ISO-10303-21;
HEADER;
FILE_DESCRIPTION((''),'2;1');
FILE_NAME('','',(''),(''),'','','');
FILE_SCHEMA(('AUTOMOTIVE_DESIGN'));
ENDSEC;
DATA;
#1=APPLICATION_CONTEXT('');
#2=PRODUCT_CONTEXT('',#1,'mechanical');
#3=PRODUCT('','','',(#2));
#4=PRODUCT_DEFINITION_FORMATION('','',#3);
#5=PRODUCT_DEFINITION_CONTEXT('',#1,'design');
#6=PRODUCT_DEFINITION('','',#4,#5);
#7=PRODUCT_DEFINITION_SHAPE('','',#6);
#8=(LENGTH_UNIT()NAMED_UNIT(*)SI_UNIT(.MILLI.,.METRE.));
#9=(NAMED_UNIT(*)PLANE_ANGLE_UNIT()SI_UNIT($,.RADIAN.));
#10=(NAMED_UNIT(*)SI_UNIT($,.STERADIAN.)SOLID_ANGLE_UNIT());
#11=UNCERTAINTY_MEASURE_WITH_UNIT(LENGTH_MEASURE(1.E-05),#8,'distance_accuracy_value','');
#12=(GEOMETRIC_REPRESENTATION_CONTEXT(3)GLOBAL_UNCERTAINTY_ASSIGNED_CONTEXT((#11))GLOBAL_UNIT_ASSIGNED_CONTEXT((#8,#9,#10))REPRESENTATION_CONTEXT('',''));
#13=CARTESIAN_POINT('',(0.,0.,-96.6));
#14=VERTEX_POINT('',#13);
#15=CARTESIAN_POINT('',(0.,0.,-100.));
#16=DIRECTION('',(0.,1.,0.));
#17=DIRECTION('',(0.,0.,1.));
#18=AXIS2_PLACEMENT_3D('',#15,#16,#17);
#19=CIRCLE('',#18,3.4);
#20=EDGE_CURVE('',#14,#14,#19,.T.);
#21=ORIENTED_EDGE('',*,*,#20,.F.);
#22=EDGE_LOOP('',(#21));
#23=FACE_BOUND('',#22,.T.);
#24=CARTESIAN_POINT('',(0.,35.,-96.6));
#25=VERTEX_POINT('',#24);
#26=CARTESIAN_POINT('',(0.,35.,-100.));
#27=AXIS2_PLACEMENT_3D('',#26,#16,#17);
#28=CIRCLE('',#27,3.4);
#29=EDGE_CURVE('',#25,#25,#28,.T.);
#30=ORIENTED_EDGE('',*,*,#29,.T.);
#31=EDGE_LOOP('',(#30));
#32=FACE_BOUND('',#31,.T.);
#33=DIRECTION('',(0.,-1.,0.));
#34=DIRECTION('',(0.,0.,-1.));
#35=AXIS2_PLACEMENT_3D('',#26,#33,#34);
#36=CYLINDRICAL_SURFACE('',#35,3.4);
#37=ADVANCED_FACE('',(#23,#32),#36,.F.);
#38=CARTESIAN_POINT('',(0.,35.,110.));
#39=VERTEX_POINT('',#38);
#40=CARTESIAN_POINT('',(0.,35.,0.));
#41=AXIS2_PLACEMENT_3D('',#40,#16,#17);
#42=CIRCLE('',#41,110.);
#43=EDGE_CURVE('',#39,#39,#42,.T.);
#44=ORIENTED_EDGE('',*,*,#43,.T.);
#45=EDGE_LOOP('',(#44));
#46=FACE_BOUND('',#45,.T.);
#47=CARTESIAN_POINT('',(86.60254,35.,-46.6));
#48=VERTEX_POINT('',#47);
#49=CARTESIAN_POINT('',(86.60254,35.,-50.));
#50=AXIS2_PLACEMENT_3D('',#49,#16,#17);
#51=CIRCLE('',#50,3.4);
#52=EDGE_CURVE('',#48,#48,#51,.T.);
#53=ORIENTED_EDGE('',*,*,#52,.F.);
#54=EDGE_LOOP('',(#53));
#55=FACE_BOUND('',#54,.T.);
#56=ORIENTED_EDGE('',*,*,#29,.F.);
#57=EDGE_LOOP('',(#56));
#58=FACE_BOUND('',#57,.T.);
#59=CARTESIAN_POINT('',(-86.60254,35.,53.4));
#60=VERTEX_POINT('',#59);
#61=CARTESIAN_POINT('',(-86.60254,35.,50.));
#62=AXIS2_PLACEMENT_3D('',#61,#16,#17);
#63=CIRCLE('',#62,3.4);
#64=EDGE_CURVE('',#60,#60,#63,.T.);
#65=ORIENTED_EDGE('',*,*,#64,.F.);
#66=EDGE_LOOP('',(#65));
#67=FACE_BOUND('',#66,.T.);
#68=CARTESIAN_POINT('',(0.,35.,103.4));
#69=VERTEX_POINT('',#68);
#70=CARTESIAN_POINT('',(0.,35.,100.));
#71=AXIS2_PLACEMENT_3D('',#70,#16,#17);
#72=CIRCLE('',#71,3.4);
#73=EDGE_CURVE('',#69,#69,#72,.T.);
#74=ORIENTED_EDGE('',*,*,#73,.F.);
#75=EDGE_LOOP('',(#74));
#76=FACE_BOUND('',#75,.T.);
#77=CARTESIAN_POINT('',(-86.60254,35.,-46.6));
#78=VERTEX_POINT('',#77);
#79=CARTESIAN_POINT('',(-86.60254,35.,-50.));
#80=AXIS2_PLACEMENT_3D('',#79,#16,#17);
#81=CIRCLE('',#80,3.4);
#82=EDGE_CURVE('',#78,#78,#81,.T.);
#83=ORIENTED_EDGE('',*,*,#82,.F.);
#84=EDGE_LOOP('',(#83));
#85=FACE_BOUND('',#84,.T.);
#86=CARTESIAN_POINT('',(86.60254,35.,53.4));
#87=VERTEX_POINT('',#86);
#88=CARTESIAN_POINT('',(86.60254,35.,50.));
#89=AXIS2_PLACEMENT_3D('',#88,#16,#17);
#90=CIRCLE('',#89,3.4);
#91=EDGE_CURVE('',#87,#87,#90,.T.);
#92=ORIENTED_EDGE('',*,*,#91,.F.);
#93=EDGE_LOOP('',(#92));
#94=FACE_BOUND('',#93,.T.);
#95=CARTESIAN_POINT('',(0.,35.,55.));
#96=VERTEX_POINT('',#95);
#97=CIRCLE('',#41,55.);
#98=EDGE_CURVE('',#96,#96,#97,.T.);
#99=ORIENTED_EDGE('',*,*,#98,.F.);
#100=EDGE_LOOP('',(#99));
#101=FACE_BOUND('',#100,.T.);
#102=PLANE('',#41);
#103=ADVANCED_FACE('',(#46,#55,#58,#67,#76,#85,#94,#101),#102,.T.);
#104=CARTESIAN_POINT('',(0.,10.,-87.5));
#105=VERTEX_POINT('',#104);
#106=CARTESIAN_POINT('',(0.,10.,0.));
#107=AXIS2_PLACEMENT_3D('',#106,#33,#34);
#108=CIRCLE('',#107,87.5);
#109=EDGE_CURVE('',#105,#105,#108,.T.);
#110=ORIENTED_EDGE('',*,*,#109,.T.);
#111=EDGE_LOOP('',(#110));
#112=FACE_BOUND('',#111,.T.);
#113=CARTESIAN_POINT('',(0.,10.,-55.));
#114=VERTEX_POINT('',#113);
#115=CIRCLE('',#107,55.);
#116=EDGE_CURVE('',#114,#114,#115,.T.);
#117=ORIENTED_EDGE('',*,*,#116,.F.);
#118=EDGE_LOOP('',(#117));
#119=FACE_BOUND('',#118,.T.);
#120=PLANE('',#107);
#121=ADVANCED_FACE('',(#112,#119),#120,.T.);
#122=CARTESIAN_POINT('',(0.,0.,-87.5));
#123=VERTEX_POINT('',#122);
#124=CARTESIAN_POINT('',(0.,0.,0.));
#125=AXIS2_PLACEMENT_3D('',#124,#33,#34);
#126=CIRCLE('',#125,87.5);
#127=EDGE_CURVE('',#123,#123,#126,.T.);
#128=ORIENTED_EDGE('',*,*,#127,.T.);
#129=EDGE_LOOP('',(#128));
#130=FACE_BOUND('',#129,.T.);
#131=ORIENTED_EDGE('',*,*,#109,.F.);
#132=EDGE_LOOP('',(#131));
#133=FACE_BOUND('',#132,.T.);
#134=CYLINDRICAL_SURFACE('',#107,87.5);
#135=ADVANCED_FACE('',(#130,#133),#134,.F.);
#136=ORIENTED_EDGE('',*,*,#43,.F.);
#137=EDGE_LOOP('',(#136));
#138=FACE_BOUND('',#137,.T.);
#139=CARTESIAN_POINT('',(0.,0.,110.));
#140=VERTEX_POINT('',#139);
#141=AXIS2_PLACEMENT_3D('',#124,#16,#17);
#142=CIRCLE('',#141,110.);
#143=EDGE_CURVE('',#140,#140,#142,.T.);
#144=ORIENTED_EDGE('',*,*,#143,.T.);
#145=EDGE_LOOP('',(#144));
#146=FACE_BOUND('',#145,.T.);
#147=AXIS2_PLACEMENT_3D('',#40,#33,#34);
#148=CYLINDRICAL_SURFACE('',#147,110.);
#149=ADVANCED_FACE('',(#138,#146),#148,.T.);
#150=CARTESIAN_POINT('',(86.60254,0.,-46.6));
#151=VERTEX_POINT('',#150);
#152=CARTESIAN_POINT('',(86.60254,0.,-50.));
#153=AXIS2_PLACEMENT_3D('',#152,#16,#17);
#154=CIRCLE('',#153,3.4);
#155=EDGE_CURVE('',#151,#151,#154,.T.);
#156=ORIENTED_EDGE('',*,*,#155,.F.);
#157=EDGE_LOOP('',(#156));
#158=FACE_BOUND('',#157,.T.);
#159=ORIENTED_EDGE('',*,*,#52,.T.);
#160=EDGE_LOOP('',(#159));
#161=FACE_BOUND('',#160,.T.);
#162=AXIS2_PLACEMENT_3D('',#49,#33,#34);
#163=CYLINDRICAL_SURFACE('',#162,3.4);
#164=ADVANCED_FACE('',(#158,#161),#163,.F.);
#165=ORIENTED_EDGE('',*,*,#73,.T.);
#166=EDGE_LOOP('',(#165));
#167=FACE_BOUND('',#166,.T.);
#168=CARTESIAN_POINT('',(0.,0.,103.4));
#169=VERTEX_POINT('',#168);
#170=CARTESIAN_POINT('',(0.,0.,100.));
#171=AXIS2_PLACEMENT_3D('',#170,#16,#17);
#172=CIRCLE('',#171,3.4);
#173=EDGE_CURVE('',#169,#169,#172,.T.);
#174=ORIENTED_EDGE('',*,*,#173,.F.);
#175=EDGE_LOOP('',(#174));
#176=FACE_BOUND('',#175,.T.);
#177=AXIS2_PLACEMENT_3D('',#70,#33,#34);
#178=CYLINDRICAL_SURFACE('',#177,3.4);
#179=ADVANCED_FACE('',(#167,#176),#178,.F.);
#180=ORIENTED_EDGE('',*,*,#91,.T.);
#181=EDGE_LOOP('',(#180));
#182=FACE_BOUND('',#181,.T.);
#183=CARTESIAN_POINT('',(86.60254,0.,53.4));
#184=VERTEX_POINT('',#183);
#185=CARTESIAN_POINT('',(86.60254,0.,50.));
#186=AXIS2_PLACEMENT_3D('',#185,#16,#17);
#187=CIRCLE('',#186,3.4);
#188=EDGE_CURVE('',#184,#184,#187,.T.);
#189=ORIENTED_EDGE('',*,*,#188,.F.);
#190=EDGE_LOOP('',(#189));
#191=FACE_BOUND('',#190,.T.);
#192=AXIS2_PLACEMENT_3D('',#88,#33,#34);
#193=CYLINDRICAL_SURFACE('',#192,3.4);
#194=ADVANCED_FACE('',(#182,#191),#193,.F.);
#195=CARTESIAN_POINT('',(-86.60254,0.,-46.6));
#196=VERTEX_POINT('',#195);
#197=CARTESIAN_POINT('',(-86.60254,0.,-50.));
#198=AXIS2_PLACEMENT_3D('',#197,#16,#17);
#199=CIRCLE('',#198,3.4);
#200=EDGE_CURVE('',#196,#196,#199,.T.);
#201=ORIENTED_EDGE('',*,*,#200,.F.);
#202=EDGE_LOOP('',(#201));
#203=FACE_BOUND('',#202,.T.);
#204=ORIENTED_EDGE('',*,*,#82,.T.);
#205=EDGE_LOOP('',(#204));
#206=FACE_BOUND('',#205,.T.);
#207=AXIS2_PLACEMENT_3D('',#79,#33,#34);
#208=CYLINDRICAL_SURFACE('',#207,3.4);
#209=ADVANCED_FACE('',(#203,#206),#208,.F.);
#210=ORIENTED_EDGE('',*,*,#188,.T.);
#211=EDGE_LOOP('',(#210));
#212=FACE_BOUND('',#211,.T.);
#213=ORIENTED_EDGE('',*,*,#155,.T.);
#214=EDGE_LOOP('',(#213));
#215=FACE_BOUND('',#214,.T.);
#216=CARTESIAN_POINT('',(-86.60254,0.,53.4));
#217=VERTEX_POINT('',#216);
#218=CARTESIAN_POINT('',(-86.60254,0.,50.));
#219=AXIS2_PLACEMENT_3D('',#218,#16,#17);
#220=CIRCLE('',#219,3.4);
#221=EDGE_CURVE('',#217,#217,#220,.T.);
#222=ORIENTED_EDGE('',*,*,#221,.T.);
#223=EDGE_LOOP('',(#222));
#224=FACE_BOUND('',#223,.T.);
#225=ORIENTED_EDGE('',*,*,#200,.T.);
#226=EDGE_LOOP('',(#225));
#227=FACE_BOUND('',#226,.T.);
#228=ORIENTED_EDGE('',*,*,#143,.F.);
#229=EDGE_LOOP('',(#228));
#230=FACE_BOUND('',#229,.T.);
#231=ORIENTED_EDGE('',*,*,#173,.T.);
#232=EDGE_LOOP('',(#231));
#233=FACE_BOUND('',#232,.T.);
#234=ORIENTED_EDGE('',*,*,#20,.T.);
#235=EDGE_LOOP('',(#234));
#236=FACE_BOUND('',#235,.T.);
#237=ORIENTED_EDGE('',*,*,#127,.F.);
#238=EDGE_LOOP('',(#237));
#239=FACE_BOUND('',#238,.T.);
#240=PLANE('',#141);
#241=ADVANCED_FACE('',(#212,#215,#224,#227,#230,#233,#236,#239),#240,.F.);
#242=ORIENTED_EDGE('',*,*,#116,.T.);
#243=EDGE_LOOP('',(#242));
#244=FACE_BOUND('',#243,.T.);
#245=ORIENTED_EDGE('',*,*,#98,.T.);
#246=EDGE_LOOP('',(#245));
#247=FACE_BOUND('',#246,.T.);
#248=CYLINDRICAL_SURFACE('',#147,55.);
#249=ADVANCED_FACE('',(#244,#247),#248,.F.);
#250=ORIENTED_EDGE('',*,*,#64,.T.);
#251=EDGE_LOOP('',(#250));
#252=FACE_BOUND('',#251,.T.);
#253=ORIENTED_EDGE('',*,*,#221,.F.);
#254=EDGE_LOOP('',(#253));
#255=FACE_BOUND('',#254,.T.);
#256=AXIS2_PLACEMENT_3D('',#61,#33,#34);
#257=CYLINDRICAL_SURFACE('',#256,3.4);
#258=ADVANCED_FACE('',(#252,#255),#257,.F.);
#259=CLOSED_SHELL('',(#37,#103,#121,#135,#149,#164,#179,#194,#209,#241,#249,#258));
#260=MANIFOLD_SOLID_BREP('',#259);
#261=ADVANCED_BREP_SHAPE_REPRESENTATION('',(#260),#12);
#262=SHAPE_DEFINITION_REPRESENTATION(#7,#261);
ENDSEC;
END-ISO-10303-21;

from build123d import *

# Parameters (mm, degrees)
SKETCH1_R           = 110
SKETCH1_R_2         = 55
SKETCH1_R_3         = 3.4
BOSS_EXTRUDE1_DEPTH = 35
SKETCH2_R           = 87.5
CUT_EXTRUDE1_DEPTH  = 10


with BuildPart() as part:
    # Sketch1 → Boss-Extrude1 (new body)
    with BuildSketch(Plane(origin=(0, 0, 0), x_dir=(1, 0, 0), z_dir=(0, 1, 0))):
        Circle(SKETCH1_R)
        Circle(SKETCH1_R_2, mode=Mode.SUBTRACT)
        with Locations((0, 100)):
            Circle(SKETCH1_R_3, mode=Mode.SUBTRACT)
        with Locations((86.602540378, 50)):
            Circle(SKETCH1_R_3, mode=Mode.SUBTRACT)
        with Locations((86.602540378, -50)):
            Circle(SKETCH1_R_3, mode=Mode.SUBTRACT)
        with Locations((0, -100)):
            Circle(SKETCH1_R_3, mode=Mode.SUBTRACT)
        with Locations((-86.602540378, -50)):
            Circle(SKETCH1_R_3, mode=Mode.SUBTRACT)
        with Locations((-86.602540378, 50)):
            Circle(SKETCH1_R_3, mode=Mode.SUBTRACT)
    extrude(amount=BOSS_EXTRUDE1_DEPTH)

    # Sketch2 → Cut-Extrude1 (cut)
    with BuildSketch(Plane.XZ):
        Circle(SKETCH2_R)
    extrude(amount=-CUT_EXTRUDE1_DEPTH, mode=Mode.SUBTRACT)


solid = part.part
